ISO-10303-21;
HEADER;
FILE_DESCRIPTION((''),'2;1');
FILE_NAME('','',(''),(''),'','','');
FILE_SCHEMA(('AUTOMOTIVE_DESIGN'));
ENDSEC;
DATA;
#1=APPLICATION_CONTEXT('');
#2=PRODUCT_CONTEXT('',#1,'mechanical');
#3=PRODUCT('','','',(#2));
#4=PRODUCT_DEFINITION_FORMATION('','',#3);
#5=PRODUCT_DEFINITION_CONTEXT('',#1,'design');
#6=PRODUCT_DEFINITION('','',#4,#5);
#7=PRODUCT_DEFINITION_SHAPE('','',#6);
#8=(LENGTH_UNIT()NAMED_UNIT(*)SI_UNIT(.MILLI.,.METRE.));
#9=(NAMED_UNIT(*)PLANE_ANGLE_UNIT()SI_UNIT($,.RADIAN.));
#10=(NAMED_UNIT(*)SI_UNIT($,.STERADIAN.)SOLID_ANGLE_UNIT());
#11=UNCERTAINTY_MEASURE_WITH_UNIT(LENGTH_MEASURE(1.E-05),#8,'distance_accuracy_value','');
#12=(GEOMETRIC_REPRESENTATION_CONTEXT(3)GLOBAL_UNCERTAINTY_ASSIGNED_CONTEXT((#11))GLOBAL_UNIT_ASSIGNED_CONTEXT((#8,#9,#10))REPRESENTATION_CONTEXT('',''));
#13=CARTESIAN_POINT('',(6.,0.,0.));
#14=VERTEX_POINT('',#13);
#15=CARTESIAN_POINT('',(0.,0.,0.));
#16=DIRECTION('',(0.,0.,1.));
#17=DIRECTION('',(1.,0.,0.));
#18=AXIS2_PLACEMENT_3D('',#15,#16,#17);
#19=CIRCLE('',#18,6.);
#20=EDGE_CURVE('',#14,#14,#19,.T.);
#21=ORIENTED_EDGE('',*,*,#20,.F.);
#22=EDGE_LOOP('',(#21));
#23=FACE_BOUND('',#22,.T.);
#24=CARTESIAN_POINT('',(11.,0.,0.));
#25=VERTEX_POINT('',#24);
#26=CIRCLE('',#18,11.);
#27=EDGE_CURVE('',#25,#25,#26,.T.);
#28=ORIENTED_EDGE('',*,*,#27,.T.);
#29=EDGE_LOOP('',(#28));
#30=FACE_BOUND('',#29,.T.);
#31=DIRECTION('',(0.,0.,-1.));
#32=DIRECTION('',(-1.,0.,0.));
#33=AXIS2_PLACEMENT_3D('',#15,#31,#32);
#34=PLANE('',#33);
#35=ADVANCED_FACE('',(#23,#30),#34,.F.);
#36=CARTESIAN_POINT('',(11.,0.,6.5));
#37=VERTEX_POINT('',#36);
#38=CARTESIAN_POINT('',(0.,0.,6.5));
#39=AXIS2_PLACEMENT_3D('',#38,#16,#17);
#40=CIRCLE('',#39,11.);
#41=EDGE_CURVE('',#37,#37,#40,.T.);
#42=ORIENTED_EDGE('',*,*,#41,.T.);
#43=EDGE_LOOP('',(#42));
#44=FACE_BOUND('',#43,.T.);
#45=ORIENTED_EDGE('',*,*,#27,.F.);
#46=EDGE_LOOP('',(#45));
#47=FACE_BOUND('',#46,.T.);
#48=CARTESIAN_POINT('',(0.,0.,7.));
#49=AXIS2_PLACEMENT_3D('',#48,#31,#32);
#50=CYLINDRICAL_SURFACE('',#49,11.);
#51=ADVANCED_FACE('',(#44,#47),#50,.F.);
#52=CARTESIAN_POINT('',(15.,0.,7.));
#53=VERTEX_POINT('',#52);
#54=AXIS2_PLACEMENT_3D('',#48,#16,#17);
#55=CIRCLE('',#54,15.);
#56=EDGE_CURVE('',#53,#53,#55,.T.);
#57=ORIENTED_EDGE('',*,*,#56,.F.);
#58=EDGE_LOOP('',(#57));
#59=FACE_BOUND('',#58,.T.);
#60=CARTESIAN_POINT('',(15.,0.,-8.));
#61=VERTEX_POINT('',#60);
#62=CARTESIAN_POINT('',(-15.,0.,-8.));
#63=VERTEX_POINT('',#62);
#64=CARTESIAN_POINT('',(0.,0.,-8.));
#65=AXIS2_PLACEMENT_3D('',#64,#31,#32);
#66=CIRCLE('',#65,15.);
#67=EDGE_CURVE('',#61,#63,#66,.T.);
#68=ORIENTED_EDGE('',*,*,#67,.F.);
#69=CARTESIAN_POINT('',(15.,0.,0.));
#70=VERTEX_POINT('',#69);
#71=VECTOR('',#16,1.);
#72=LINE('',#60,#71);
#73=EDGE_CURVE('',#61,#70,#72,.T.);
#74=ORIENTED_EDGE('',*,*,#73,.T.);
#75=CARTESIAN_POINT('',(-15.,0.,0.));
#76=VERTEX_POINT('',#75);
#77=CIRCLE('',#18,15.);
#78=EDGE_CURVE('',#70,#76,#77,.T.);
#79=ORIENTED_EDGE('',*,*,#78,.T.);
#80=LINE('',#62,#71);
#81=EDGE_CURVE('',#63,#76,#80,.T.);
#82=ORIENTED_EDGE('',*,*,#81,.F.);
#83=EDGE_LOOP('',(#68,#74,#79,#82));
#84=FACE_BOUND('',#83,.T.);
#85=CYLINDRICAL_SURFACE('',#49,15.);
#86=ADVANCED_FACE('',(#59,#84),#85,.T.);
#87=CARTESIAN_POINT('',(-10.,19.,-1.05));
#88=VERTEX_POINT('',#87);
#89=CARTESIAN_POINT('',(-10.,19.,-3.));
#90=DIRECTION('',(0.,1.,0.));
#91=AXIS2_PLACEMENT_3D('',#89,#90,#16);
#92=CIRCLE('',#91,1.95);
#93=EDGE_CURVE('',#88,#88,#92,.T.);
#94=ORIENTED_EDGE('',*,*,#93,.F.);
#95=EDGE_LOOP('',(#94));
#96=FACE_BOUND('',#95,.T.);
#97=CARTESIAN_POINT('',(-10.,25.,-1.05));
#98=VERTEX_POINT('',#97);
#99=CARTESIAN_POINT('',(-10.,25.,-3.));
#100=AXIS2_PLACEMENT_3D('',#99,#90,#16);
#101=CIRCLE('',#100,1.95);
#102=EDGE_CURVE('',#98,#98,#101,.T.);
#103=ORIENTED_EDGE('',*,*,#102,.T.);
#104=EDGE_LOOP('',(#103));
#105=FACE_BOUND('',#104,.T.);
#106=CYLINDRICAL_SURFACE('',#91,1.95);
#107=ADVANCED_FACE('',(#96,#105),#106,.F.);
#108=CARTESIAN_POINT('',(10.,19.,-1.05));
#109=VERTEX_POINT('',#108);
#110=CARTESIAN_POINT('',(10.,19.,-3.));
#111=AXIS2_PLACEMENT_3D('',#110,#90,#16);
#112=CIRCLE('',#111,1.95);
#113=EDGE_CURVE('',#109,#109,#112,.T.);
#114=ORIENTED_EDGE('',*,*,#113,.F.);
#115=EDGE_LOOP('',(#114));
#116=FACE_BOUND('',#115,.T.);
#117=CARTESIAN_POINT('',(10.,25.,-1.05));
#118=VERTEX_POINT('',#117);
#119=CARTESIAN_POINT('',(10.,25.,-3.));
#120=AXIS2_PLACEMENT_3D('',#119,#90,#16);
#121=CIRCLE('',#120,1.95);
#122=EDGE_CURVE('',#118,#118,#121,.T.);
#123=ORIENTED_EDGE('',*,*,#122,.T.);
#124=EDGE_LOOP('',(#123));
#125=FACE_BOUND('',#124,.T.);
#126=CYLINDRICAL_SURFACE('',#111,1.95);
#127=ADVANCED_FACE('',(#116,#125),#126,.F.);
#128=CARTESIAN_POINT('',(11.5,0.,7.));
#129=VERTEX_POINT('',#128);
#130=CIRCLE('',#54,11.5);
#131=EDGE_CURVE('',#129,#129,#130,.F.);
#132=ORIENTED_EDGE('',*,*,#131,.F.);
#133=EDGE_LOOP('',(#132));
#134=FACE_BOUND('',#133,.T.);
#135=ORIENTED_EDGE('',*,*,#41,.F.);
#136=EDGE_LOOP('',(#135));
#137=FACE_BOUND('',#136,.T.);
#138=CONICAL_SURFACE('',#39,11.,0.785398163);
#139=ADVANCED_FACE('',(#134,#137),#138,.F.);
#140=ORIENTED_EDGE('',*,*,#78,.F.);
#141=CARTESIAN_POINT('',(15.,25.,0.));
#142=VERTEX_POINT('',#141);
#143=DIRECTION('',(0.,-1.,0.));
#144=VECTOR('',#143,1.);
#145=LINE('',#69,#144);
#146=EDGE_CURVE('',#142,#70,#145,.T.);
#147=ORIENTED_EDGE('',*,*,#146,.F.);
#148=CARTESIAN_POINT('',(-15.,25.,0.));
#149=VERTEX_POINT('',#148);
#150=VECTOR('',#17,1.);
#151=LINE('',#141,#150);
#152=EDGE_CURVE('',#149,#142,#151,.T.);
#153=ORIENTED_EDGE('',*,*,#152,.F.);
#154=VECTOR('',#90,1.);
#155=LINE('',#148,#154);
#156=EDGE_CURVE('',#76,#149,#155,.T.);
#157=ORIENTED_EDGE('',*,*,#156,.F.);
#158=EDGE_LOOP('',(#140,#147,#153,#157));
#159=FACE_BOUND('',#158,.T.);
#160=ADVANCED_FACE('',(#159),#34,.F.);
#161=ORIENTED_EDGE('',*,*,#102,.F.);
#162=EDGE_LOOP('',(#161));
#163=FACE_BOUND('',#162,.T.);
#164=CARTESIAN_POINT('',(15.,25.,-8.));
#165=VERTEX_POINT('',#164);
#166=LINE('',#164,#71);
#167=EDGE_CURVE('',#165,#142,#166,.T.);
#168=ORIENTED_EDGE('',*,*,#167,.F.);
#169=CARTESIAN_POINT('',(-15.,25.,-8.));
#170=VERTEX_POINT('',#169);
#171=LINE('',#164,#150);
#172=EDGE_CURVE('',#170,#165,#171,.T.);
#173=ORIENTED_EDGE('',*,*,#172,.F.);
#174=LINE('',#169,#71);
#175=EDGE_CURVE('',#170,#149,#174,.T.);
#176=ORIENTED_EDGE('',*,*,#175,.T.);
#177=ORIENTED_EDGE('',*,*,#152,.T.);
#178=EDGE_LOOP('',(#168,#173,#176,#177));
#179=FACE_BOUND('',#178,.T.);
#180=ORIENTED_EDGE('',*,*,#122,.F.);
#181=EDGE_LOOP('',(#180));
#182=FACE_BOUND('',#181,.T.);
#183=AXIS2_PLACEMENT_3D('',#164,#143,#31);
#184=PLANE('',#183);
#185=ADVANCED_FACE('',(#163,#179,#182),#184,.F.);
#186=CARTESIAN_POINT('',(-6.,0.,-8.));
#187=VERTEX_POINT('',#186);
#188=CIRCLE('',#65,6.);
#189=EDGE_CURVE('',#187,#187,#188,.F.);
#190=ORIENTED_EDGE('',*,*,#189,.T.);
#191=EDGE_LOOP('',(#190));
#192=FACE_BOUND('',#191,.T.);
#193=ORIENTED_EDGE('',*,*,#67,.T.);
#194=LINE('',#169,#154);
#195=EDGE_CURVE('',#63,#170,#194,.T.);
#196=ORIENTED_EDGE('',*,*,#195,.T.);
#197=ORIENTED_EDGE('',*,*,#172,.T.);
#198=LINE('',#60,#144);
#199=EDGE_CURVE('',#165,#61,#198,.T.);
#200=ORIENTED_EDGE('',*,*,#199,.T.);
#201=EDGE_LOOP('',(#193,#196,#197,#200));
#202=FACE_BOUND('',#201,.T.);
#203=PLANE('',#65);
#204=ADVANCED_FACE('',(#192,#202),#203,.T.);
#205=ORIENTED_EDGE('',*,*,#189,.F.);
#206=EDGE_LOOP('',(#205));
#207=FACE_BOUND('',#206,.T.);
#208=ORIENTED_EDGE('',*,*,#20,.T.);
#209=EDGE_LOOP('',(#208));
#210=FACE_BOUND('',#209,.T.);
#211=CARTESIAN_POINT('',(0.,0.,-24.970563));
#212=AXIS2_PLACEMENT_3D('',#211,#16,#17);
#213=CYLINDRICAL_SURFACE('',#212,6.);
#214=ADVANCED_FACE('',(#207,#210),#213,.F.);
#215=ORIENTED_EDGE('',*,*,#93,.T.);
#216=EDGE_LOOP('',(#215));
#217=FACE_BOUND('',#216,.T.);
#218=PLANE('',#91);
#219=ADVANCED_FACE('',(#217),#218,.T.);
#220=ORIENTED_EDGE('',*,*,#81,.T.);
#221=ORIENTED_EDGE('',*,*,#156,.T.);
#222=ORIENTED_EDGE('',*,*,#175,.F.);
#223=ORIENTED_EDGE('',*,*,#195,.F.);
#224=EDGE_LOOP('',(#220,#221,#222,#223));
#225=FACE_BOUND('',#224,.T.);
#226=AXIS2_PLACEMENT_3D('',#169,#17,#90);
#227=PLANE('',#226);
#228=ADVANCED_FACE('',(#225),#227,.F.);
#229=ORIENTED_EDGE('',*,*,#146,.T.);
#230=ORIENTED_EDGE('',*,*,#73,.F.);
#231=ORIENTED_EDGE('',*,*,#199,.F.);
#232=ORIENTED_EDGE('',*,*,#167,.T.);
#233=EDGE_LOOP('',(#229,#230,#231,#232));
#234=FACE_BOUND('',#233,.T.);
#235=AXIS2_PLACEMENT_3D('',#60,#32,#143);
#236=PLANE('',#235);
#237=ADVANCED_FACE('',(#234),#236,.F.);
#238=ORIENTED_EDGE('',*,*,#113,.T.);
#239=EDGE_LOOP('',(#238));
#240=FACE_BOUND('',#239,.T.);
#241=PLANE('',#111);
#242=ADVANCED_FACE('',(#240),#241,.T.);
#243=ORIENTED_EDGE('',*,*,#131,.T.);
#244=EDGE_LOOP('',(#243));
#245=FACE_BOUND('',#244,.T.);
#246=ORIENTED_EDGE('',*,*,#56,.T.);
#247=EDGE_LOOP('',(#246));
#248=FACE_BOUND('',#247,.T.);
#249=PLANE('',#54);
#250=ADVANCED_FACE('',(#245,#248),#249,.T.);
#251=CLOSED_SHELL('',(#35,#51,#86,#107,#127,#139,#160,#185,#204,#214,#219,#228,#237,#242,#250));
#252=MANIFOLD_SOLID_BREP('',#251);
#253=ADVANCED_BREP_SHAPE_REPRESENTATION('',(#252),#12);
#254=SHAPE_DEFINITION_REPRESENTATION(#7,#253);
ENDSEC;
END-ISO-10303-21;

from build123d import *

# Parameters (mm, degrees)
SKETCH1_R           = 15
SKETCH1_R_2         = 11
BOSS_EXTRUDE1_DEPTH = 7
BOSS_EXTRUDE2_START = 8
BOSS_EXTRUDE2_DEPTH = 8
SKETCH4_R           = 1.95
CUT_EXTRUDE1_DEPTH  = 6
SKETCH5_R           = 6
CUT_EXTRUDE2_DEPTH  = 8
CHAMFER1_SIZE       = 0.5


with BuildPart() as part:
    # Sketch1 → Boss-Extrude1 (new body)
    with BuildSketch(Plane.XY):
        Circle(SKETCH1_R)
        Circle(SKETCH1_R_2, mode=Mode.SUBTRACT)
    extrude(amount=BOSS_EXTRUDE1_DEPTH)

    # Sketch3 → Boss-Extrude2 (add)
    with BuildSketch(Plane(origin=(0, 0, 0), x_dir=(-1, 0, 0), z_dir=(0, 0, -1)).offset(BOSS_EXTRUDE2_START)):
        with BuildLine():
            Line((-15, 0), (-15, 25))
            Line((-15, 25), (15, 25))
            Line((15, 25), (15, 0))
            ThreePointArc((15, 0), (0, -15), (-15, 0))
        make_face()
    extrude(amount=-BOSS_EXTRUDE2_DEPTH)

    # Sketch4 → Cut-Extrude1 (cut)
    with BuildSketch(Plane(origin=(0, 25, 0), x_dir=(1, 0, 0), z_dir=(0, 1, 0))):
        with Locations(Location((-10, 3, 0), (0, 0, 270))):
            Circle(SKETCH4_R)
        with Locations(Location((10, 3, 0), (0, 0, 270))):
            Circle(SKETCH4_R)
    extrude(amount=-CUT_EXTRUDE1_DEPTH, mode=Mode.SUBTRACT)

    # Sketch5 → Cut-Extrude2 (cut)
    with BuildSketch(Plane.XY):
        Circle(SKETCH5_R)
    extrude(amount=-CUT_EXTRUDE2_DEPTH, mode=Mode.SUBTRACT)

    # Chamfer1
    chamfer1_edges = [part.edges().sort_by_distance(p)[0] for p in [
        (-11, 0, 7),
    ]]
    chamfer(chamfer1_edges, length=CHAMFER1_SIZE)


solid = part.part
